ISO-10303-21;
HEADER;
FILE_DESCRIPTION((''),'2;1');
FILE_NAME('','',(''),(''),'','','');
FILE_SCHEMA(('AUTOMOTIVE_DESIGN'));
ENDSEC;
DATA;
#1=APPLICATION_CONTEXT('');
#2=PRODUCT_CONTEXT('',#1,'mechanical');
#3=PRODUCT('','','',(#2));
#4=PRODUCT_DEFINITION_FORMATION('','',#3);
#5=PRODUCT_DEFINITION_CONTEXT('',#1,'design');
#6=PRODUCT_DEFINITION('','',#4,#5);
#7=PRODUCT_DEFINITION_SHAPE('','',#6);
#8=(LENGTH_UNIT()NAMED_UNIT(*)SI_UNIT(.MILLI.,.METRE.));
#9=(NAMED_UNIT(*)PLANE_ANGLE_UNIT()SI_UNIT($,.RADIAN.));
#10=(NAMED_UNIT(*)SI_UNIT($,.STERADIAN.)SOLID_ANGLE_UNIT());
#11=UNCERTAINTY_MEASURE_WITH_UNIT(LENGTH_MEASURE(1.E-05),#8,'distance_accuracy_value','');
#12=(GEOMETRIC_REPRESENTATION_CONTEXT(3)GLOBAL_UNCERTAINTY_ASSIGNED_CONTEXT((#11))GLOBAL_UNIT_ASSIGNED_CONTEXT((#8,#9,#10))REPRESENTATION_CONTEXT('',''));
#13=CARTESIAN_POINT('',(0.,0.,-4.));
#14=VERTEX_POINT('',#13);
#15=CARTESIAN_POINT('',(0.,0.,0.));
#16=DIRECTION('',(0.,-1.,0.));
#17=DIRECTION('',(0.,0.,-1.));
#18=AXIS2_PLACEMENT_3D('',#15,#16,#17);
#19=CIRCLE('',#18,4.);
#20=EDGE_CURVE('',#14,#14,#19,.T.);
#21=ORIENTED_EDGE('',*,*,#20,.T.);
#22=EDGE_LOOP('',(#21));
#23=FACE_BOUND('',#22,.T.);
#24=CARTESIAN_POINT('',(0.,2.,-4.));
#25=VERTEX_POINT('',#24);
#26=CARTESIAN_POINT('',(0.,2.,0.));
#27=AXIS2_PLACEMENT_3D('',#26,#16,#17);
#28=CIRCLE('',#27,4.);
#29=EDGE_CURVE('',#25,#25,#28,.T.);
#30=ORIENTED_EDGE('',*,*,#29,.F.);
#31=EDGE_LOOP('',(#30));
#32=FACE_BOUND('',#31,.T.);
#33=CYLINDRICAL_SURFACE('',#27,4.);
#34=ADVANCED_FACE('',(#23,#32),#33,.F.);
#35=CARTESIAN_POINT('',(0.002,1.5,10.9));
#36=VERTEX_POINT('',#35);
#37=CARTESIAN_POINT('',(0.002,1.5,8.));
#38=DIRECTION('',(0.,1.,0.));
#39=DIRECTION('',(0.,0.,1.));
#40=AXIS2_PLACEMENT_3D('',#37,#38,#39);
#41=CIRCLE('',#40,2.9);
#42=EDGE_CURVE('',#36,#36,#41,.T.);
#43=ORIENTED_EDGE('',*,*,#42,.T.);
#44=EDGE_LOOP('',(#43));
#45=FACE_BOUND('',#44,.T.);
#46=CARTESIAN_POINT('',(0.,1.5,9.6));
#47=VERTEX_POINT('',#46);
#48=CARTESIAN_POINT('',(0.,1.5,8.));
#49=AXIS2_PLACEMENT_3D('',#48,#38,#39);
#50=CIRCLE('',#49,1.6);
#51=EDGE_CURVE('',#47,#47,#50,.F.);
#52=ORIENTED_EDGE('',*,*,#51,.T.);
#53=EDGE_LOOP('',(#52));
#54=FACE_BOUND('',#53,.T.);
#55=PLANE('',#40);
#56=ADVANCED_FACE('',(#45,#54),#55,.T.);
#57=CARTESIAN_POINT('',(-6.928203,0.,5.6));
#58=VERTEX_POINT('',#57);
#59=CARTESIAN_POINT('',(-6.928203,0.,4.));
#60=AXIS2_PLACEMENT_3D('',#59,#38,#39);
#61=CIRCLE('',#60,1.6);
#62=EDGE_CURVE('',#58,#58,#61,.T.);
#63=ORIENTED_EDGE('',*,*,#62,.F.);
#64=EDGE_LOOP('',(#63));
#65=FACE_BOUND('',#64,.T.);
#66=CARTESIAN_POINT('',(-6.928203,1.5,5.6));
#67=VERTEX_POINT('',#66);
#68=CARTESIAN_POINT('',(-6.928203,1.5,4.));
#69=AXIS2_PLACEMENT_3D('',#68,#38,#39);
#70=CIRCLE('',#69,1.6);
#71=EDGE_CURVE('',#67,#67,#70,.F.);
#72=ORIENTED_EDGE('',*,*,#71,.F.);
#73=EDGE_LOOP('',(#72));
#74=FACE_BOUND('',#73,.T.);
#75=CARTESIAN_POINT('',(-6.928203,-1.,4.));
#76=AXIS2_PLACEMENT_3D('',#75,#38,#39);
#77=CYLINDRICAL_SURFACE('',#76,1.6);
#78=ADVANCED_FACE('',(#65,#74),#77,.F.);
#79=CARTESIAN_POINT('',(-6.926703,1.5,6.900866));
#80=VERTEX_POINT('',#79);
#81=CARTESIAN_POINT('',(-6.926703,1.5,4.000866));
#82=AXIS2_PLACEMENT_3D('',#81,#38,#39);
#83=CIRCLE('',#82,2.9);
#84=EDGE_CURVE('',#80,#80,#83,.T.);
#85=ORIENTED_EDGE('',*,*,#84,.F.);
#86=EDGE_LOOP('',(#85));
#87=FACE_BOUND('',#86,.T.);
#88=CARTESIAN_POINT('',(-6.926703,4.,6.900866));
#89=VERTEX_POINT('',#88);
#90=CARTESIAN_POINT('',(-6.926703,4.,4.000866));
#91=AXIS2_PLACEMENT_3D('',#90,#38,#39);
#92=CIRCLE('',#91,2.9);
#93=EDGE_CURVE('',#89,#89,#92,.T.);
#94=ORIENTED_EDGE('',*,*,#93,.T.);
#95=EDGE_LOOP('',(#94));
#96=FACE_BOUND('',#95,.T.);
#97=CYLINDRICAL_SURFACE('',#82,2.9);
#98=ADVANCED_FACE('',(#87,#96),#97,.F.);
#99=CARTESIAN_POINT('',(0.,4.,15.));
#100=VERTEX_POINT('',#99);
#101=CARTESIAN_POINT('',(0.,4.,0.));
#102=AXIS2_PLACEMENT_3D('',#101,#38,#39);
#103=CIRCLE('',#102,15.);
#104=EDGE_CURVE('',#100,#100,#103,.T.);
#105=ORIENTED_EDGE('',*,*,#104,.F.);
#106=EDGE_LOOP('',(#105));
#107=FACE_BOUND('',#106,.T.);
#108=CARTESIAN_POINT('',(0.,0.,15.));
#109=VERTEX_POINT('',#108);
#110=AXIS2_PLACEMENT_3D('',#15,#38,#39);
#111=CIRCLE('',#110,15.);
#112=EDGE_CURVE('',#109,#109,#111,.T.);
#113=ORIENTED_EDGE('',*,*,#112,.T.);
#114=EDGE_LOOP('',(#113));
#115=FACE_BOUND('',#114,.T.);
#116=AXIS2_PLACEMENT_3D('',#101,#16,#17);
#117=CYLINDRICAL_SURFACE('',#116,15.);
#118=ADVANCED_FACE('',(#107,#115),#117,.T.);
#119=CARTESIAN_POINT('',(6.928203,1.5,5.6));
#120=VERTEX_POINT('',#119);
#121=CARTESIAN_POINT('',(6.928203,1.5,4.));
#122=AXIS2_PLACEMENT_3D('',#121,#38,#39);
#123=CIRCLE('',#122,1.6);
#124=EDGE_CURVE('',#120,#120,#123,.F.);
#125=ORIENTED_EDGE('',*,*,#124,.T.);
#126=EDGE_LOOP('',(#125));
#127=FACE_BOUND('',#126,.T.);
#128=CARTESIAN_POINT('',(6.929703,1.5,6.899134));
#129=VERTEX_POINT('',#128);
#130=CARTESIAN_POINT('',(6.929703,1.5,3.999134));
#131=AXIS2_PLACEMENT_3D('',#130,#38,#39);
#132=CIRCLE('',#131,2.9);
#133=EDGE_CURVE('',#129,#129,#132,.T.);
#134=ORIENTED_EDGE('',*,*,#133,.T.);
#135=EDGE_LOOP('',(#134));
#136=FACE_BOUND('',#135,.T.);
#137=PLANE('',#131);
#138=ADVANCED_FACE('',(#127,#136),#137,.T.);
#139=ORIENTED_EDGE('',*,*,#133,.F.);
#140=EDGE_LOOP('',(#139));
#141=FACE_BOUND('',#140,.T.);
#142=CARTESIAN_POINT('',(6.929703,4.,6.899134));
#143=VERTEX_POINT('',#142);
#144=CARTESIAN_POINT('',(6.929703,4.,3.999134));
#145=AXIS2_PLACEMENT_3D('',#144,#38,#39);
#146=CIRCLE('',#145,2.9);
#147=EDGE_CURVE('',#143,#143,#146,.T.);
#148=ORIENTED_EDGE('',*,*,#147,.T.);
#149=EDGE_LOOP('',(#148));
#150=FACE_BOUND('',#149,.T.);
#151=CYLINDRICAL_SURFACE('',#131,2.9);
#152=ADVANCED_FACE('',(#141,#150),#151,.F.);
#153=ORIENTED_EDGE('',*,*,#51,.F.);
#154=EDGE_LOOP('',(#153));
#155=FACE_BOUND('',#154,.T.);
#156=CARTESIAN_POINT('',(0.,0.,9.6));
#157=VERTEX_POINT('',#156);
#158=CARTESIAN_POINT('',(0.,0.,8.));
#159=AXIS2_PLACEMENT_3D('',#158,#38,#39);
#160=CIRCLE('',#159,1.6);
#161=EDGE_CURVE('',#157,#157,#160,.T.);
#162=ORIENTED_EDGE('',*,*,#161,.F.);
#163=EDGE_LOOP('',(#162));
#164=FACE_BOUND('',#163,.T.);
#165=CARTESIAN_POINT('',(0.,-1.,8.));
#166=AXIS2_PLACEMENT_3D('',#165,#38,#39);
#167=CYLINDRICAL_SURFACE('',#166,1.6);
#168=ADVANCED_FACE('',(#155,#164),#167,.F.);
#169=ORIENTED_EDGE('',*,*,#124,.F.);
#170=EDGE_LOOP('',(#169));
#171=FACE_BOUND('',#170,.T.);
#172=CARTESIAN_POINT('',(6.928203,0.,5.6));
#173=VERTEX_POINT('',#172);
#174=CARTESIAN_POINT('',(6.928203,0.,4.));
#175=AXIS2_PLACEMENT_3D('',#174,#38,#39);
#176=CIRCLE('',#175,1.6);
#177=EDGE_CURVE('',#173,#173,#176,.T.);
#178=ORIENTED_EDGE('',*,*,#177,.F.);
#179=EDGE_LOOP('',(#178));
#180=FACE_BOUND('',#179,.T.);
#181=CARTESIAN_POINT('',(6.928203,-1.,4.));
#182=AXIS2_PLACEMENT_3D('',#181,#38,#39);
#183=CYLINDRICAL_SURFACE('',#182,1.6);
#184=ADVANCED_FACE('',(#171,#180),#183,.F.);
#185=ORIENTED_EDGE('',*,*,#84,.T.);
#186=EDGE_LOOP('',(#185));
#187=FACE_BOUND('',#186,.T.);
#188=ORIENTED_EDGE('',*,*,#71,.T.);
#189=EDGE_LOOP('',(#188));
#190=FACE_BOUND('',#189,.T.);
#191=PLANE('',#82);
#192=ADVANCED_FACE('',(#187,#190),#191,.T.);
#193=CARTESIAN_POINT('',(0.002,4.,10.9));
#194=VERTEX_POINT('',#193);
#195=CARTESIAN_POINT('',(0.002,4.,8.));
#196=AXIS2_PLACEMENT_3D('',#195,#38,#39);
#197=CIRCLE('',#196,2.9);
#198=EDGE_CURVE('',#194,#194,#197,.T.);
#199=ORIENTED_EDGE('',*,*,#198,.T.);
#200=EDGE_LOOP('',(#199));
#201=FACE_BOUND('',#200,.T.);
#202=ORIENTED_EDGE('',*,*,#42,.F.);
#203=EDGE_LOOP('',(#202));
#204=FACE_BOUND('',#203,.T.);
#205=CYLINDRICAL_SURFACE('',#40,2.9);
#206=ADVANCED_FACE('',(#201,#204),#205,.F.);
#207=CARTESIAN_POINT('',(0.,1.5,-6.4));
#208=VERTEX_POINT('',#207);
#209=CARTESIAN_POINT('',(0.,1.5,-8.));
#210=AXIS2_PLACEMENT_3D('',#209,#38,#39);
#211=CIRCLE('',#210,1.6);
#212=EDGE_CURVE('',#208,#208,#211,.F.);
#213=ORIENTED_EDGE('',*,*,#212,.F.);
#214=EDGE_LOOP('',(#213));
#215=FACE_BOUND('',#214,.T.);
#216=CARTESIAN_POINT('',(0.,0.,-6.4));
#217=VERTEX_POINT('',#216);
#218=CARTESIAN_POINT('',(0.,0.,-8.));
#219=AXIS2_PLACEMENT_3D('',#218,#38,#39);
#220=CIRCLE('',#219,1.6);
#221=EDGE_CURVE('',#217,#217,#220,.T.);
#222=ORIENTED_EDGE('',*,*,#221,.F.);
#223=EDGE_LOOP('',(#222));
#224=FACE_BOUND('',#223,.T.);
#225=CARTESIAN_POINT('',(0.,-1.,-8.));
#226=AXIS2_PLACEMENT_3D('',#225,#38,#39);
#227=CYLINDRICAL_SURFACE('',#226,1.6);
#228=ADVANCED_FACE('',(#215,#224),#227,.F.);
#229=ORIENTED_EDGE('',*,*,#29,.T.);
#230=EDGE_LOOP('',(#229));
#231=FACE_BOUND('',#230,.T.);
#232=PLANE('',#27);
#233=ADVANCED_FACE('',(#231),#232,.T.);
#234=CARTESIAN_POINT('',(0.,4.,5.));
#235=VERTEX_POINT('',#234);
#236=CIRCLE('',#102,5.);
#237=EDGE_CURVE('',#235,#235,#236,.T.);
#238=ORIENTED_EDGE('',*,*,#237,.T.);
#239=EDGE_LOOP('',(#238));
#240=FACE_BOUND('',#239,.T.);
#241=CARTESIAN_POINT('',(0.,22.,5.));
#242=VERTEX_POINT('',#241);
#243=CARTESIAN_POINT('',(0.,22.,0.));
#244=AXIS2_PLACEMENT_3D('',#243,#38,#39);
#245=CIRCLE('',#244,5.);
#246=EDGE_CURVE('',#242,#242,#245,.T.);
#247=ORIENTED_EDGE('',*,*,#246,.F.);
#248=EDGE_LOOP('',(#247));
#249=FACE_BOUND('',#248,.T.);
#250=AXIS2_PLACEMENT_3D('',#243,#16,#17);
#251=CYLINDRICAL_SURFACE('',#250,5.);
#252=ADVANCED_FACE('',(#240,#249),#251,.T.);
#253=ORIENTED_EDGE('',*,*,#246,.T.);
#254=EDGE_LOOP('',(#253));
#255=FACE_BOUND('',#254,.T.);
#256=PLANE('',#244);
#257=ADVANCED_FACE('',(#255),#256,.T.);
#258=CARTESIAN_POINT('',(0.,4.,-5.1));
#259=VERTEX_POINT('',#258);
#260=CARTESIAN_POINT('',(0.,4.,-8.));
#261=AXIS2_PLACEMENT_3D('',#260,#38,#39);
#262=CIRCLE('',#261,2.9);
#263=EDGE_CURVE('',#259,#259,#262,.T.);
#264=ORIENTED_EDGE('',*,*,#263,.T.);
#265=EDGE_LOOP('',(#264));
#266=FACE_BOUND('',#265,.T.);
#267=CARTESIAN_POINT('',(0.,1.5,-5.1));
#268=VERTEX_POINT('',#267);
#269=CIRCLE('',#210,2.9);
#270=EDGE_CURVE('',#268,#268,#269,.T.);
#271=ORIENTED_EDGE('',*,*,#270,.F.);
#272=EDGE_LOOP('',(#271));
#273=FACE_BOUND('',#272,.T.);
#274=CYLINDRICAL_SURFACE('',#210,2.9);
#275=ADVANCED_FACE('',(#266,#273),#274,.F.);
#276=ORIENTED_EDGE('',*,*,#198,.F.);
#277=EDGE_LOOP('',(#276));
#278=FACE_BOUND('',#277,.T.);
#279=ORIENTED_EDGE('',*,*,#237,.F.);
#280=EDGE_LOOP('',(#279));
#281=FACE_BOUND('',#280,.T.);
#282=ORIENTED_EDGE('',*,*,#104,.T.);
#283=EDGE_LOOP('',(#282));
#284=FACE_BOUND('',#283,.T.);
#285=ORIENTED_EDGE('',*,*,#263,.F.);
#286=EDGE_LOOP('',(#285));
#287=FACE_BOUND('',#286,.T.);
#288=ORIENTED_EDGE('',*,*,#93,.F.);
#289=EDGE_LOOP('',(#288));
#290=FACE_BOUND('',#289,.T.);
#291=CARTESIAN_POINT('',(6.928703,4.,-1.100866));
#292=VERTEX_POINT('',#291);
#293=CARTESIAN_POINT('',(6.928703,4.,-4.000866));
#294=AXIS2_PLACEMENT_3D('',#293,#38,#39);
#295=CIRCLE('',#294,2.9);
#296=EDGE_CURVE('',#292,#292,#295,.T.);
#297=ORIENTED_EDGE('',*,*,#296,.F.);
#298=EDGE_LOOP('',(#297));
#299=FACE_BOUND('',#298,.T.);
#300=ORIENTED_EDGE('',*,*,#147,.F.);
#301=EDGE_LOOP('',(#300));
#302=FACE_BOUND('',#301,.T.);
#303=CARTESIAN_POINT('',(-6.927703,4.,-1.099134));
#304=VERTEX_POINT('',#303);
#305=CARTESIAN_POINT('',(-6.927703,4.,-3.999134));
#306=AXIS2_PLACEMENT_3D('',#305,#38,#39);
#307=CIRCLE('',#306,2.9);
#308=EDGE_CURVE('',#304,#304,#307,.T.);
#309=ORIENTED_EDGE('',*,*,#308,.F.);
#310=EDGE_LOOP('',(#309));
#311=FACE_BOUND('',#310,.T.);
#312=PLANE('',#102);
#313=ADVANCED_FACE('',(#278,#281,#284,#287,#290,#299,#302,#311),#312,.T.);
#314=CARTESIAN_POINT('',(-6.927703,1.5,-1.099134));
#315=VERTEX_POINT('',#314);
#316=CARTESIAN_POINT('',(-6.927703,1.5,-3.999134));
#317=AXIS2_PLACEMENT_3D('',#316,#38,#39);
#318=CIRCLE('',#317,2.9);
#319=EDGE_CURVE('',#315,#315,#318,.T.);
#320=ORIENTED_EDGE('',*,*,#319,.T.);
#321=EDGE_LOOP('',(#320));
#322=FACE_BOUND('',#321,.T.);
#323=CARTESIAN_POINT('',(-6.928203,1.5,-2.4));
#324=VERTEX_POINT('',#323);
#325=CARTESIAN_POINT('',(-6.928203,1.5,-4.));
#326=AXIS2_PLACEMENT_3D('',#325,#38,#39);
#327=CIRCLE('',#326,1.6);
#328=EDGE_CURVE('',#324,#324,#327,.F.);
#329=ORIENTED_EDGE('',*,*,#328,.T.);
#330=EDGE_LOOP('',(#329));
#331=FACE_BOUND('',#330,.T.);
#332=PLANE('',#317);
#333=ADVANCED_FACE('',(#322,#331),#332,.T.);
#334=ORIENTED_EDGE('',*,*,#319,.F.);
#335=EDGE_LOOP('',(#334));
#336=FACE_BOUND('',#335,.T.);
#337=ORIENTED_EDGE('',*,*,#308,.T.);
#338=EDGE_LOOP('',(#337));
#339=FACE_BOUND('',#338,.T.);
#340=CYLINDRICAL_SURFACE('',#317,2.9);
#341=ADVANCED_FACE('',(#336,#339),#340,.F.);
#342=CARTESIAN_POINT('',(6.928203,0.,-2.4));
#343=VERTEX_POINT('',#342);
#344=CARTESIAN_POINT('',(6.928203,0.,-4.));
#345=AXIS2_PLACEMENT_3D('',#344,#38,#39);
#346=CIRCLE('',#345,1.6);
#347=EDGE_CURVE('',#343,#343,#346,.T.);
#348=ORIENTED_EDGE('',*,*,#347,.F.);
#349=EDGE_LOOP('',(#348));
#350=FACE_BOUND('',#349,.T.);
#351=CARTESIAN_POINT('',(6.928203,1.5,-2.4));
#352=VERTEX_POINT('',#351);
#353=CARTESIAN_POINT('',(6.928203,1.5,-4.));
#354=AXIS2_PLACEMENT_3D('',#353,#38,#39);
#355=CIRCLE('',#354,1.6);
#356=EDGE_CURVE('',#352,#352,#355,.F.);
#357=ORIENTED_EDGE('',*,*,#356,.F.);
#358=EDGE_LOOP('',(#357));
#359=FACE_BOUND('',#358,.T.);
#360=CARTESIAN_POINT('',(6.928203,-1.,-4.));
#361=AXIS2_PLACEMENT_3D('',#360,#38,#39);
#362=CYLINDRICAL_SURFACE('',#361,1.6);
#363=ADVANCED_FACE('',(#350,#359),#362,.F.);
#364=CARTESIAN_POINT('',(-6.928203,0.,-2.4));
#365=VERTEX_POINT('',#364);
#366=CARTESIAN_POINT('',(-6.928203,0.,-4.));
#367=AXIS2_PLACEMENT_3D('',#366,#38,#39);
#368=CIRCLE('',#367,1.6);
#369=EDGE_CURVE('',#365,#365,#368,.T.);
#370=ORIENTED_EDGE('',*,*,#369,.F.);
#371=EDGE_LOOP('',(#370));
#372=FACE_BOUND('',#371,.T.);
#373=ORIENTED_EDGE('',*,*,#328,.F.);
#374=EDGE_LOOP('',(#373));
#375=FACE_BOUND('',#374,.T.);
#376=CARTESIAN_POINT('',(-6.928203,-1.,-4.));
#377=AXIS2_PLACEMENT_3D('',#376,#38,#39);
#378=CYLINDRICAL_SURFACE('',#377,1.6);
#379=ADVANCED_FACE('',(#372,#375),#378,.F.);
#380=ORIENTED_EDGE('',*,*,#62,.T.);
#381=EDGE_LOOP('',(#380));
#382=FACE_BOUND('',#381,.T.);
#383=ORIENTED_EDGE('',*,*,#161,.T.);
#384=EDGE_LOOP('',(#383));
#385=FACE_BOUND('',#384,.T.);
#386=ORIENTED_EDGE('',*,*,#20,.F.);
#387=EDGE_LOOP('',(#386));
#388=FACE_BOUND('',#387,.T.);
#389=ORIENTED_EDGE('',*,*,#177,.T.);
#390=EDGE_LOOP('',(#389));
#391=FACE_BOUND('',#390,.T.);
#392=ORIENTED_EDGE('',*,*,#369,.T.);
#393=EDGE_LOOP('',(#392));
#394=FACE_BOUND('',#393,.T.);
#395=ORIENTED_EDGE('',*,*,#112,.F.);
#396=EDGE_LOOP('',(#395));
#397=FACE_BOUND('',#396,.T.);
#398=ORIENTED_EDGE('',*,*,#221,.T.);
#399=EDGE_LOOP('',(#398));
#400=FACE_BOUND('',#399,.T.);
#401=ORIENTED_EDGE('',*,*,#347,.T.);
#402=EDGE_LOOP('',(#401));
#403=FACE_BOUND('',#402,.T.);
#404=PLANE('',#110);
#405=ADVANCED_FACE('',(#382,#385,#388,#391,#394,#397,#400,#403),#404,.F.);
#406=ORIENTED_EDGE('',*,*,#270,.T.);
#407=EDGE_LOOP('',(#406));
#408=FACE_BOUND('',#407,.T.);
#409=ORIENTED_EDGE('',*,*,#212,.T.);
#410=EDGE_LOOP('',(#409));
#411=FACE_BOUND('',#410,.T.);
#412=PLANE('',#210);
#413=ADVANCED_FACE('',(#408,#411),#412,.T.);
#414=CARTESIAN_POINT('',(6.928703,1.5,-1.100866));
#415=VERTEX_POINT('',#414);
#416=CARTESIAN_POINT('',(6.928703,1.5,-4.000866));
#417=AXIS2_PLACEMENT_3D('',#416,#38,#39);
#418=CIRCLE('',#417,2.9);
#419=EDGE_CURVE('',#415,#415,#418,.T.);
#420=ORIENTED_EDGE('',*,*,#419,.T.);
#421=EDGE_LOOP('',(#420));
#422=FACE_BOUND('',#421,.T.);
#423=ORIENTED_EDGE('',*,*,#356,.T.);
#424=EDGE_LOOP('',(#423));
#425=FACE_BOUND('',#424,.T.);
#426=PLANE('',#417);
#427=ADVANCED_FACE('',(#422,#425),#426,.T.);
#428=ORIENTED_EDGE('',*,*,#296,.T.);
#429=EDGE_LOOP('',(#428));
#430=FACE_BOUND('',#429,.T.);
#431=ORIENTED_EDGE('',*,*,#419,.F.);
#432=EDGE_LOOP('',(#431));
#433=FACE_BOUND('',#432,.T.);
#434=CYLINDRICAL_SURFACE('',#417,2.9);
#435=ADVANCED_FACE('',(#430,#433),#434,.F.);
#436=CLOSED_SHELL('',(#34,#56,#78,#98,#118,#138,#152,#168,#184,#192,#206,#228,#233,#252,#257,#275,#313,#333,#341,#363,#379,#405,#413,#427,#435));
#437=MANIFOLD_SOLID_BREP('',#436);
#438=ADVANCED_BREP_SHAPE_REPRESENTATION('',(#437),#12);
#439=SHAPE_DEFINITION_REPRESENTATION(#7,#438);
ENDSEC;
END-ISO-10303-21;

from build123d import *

# Parameters (mm, degrees)
SKETCH_1_R          = 15
EXTRUDE_1_DEPTH     = 4
SKETCH_2_R          = 1.6
CUT_EXTRUDE_1_DEPTH = 5
SKETCH_3_R          = 2.9
CUT_EXTRUDE_2_DEPTH = 2.5
SKETCH_4_R          = 5
EXTRUDE_2_DEPTH     = 18
SKETCH_5_R          = 4
CUT_EXTRUDE_3_DEPTH = 2


with BuildPart() as part:
    # 草图1 → 凸台-拉伸1 (new body)
    with BuildSketch(Plane(origin=(0, 0, 0), x_dir=(1, 0, 0), z_dir=(0, 1, 0))):
        Circle(SKETCH_1_R)
    extrude(amount=EXTRUDE_1_DEPTH)

    # 草图2 → 切除-拉伸1 (cut)
    with BuildSketch(Plane(origin=(0, 4, 0), x_dir=(1, 0, 0), z_dir=(0, 1, 0))):
        with Locations((0, 8)):
            Circle(SKETCH_2_R)
        with Locations((6.92820323, 4)):
            Circle(SKETCH_2_R)
        with Locations((6.92820323, -4)):
            Circle(SKETCH_2_R)
        with Locations((0, -8)):
            Circle(SKETCH_2_R)
        with Locations((-6.92820323, -4)):
            Circle(SKETCH_2_R)
        with Locations((-6.92820323, 4)):
            Circle(SKETCH_2_R)
    extrude(amount=-CUT_EXTRUDE_1_DEPTH, mode=Mode.SUBTRACT)

    # 草图3 → 切除-拉伸2 (cut)
    with BuildSketch(Plane(origin=(0, 4, 0), x_dir=(1, 0, 0), z_dir=(0, 1, 0))):
        with Locations((0, 8)):
            Circle(SKETCH_3_R)
        with Locations((6.92870323, 4.000866025)):
            Circle(SKETCH_3_R)
        with Locations((6.92970323, -3.999133975)):
            Circle(SKETCH_3_R)
        with Locations((0.002, -8)):
            Circle(SKETCH_3_R)
        with Locations((-6.92670323, -4.000866025)):
            Circle(SKETCH_3_R)
        with Locations((-6.92770323, 3.999133975)):
            Circle(SKETCH_3_R)
    extrude(amount=-CUT_EXTRUDE_2_DEPTH, mode=Mode.SUBTRACT)

    # 草图4 → 凸台-拉伸2 (add)
    with BuildSketch(Plane(origin=(0, 4, 0), x_dir=(1, 0, 0), z_dir=(0, 1, 0))):
        Circle(SKETCH_4_R)
    extrude(amount=EXTRUDE_2_DEPTH)

    # 草图5 → 切除-拉伸3 (cut)
    with BuildSketch(Plane.XZ):
        Circle(SKETCH_5_R)
    extrude(amount=-CUT_EXTRUDE_3_DEPTH, mode=Mode.SUBTRACT)


solid = part.part
